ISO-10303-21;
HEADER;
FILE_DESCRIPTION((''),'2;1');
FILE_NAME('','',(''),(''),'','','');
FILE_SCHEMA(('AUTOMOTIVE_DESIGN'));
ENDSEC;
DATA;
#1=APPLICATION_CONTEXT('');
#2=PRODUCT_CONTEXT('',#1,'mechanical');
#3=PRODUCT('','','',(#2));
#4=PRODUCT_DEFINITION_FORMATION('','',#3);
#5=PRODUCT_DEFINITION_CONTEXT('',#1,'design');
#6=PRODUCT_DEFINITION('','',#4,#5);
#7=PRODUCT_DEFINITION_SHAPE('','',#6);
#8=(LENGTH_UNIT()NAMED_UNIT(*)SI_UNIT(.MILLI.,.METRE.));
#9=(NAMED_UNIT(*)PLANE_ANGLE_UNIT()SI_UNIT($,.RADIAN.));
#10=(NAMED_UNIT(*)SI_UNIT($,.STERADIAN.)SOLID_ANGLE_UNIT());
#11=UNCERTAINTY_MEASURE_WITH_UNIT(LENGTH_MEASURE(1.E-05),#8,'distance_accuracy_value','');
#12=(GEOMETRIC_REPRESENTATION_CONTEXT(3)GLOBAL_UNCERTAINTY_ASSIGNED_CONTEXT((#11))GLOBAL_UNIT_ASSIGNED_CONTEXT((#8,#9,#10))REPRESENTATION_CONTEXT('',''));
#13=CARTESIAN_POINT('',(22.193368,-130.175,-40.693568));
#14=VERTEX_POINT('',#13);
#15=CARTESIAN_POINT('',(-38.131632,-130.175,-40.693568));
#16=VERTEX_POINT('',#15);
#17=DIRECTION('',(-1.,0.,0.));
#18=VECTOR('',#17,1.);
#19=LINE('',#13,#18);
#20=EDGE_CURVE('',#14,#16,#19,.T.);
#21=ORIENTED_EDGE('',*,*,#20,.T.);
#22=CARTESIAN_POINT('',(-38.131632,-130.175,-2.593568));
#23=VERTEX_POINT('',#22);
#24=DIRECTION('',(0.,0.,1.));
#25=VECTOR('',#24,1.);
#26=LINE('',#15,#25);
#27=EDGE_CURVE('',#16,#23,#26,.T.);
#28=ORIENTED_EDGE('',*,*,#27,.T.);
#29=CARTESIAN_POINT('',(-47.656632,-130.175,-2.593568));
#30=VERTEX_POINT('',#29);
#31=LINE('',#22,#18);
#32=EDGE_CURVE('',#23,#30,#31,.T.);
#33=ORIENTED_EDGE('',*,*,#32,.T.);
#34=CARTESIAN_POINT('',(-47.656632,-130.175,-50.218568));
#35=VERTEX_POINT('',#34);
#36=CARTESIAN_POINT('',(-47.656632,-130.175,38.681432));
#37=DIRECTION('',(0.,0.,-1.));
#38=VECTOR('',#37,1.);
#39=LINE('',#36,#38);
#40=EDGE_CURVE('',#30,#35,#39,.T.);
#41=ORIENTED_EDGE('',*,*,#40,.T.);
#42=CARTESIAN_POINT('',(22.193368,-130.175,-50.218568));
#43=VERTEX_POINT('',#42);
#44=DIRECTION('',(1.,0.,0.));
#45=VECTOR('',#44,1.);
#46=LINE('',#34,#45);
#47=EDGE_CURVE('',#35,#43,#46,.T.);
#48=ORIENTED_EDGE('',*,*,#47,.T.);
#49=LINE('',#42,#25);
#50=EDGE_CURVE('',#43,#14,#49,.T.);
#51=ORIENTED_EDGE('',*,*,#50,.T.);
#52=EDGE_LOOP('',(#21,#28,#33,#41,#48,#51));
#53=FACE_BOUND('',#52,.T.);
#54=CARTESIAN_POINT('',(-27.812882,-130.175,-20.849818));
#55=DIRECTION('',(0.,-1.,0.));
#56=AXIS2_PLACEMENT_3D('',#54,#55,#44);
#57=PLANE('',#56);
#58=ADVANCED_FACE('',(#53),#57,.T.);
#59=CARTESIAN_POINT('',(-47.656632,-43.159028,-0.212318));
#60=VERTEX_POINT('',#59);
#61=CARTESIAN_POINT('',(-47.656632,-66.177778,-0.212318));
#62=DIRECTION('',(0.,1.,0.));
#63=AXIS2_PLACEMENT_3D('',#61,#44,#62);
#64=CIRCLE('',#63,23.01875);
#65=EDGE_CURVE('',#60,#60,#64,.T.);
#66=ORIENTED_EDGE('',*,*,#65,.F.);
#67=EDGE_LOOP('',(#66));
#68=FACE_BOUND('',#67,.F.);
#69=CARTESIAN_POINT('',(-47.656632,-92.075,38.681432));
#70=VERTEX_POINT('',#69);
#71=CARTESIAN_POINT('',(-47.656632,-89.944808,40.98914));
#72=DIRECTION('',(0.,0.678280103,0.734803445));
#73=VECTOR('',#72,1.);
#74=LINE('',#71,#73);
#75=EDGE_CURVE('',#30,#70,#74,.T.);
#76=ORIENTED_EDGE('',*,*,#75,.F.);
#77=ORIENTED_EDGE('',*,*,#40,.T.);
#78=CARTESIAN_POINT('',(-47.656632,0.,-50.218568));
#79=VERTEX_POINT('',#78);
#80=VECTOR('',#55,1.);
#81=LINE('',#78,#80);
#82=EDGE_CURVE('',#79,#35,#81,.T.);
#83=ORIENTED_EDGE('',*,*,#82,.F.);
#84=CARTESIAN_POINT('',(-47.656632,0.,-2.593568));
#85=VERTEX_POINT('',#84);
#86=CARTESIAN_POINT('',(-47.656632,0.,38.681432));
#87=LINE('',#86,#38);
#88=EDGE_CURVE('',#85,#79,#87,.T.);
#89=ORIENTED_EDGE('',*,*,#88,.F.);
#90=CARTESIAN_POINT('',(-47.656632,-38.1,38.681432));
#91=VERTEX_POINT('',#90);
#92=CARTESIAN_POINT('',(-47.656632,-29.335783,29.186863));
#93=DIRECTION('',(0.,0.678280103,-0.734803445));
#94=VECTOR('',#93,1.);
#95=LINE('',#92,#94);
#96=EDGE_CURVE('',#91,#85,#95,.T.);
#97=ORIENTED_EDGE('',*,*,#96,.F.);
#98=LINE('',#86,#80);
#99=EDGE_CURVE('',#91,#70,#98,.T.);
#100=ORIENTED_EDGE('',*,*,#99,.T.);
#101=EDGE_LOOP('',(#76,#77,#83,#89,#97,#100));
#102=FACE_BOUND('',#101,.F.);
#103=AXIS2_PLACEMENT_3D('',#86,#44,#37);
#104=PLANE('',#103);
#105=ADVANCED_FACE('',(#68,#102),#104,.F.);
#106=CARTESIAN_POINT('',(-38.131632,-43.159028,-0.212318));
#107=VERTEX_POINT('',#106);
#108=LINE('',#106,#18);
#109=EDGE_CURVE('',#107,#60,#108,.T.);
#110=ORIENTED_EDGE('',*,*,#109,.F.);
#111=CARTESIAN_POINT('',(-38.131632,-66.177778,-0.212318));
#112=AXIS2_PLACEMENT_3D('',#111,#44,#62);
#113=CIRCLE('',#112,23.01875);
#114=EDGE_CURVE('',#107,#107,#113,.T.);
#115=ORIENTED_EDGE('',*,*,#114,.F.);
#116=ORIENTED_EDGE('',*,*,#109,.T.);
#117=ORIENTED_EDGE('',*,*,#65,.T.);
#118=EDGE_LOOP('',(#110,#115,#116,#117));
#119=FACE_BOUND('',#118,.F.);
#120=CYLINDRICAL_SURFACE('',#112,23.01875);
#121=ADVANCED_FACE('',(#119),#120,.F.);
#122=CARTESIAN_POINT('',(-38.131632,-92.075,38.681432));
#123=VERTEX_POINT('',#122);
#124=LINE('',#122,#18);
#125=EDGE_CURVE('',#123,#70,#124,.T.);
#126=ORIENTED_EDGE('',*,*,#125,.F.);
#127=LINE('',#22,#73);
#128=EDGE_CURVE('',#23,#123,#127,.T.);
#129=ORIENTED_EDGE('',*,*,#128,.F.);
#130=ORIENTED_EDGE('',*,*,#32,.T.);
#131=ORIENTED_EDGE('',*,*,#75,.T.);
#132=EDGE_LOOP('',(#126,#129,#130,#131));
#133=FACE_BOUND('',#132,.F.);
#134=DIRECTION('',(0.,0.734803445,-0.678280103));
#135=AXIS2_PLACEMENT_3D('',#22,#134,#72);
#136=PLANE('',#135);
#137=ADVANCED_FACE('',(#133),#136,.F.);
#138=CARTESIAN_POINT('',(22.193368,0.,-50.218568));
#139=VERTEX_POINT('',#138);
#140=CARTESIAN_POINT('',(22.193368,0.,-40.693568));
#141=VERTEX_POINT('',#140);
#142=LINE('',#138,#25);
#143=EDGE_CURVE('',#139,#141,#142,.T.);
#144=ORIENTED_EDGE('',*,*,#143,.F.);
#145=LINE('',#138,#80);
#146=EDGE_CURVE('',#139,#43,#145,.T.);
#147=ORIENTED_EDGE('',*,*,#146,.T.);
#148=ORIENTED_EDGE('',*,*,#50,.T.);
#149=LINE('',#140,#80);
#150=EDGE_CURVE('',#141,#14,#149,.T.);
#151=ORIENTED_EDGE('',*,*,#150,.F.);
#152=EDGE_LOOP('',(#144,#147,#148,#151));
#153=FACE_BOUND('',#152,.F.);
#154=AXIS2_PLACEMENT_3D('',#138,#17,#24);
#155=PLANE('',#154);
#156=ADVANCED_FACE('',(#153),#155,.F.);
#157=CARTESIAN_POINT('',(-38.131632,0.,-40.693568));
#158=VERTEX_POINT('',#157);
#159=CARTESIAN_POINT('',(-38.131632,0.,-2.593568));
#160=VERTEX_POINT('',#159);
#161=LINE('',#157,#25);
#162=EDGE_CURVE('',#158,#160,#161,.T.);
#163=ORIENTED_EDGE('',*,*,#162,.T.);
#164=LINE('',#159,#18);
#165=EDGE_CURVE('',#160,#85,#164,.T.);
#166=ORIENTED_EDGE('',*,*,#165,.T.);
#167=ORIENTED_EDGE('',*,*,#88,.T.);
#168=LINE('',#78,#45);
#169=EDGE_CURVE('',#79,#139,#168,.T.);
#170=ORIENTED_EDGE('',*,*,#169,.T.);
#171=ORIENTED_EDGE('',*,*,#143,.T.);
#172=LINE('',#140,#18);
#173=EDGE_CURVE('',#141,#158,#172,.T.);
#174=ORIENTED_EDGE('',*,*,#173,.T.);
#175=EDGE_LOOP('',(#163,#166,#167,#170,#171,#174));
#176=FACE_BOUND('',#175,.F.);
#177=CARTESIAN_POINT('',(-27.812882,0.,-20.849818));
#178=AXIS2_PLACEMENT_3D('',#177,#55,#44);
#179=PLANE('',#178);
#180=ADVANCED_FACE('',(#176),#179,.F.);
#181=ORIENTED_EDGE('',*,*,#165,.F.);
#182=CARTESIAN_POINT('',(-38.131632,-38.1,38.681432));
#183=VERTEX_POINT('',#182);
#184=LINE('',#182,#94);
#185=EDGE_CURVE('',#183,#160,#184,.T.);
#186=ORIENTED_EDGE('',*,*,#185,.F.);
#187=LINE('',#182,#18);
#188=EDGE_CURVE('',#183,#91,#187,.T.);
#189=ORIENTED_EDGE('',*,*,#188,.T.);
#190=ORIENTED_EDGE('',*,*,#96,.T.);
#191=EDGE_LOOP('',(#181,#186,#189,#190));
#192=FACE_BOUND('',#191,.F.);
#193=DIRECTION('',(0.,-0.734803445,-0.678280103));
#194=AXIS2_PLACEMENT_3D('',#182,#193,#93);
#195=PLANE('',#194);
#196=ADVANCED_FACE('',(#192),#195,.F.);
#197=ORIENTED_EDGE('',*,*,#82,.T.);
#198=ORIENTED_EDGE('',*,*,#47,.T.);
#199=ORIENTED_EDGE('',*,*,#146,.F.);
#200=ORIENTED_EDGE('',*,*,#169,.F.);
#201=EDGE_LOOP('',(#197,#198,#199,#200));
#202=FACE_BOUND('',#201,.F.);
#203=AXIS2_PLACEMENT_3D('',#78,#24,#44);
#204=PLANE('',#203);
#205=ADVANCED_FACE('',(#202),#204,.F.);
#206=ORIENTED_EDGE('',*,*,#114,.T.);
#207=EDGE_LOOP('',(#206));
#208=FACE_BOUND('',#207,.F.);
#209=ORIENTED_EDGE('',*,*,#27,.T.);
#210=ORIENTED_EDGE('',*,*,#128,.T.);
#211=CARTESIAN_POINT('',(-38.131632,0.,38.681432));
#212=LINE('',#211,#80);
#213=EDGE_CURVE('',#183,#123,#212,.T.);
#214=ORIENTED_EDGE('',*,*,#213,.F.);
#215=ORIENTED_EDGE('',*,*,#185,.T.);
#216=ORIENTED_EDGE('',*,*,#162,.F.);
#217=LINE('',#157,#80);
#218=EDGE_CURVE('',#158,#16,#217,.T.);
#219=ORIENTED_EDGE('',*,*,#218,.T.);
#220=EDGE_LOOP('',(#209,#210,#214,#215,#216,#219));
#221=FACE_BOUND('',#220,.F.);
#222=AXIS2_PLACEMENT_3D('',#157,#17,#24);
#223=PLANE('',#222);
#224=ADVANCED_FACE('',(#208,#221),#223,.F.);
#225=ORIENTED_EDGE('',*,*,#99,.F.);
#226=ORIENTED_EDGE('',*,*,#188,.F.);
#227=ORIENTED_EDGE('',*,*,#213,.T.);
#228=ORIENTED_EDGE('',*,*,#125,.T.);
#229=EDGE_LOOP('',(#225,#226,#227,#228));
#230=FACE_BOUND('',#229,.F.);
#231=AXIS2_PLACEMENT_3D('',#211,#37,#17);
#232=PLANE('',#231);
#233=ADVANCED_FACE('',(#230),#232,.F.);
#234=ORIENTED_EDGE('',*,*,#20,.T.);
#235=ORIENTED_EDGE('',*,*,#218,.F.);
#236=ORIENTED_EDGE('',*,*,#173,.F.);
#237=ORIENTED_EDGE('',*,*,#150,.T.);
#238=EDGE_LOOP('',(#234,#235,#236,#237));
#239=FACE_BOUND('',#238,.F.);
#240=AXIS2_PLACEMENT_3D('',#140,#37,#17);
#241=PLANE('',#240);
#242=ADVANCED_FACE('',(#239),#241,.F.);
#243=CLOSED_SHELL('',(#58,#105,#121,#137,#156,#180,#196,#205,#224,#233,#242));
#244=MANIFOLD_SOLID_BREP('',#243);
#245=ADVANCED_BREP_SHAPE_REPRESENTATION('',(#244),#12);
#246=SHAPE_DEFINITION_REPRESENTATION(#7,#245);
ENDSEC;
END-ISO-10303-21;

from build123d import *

# Parameters (mm, degrees)
F1_DEPTH = 130.175
F2_R     = 23.01875
F3_DEPTH = 25.4


with BuildPart() as f1:
    # F0 (on Front) → F1 (new body)
    with BuildSketch(Plane.XZ):
        Polygon((-38.131632, 38.681432), (-47.656632, 38.681432), (-47.656632, -50.218568), (22.193368, -50.218568), (22.193368, -40.693568), (-38.131632, -40.693568), align=None)
    extrude(amount=F1_DEPTH)

    # F2 (on face) → F3 (cut)
    with BuildSketch(Plane.YZ.offset(-38.131632)):
        Polygon((-130.175, -2.593568), (-92.075, 38.681432), (-130.175, 38.681432), align=None)
        Polygon((-38.1, 38.681432), (0, -2.593568), (0, 0), (0, 38.681432), align=None)
        with Locations((-66.177778, -0.212318)):
            Circle(F2_R)
    extrude(amount=-F3_DEPTH, mode=Mode.SUBTRACT)


solid = f1.part
